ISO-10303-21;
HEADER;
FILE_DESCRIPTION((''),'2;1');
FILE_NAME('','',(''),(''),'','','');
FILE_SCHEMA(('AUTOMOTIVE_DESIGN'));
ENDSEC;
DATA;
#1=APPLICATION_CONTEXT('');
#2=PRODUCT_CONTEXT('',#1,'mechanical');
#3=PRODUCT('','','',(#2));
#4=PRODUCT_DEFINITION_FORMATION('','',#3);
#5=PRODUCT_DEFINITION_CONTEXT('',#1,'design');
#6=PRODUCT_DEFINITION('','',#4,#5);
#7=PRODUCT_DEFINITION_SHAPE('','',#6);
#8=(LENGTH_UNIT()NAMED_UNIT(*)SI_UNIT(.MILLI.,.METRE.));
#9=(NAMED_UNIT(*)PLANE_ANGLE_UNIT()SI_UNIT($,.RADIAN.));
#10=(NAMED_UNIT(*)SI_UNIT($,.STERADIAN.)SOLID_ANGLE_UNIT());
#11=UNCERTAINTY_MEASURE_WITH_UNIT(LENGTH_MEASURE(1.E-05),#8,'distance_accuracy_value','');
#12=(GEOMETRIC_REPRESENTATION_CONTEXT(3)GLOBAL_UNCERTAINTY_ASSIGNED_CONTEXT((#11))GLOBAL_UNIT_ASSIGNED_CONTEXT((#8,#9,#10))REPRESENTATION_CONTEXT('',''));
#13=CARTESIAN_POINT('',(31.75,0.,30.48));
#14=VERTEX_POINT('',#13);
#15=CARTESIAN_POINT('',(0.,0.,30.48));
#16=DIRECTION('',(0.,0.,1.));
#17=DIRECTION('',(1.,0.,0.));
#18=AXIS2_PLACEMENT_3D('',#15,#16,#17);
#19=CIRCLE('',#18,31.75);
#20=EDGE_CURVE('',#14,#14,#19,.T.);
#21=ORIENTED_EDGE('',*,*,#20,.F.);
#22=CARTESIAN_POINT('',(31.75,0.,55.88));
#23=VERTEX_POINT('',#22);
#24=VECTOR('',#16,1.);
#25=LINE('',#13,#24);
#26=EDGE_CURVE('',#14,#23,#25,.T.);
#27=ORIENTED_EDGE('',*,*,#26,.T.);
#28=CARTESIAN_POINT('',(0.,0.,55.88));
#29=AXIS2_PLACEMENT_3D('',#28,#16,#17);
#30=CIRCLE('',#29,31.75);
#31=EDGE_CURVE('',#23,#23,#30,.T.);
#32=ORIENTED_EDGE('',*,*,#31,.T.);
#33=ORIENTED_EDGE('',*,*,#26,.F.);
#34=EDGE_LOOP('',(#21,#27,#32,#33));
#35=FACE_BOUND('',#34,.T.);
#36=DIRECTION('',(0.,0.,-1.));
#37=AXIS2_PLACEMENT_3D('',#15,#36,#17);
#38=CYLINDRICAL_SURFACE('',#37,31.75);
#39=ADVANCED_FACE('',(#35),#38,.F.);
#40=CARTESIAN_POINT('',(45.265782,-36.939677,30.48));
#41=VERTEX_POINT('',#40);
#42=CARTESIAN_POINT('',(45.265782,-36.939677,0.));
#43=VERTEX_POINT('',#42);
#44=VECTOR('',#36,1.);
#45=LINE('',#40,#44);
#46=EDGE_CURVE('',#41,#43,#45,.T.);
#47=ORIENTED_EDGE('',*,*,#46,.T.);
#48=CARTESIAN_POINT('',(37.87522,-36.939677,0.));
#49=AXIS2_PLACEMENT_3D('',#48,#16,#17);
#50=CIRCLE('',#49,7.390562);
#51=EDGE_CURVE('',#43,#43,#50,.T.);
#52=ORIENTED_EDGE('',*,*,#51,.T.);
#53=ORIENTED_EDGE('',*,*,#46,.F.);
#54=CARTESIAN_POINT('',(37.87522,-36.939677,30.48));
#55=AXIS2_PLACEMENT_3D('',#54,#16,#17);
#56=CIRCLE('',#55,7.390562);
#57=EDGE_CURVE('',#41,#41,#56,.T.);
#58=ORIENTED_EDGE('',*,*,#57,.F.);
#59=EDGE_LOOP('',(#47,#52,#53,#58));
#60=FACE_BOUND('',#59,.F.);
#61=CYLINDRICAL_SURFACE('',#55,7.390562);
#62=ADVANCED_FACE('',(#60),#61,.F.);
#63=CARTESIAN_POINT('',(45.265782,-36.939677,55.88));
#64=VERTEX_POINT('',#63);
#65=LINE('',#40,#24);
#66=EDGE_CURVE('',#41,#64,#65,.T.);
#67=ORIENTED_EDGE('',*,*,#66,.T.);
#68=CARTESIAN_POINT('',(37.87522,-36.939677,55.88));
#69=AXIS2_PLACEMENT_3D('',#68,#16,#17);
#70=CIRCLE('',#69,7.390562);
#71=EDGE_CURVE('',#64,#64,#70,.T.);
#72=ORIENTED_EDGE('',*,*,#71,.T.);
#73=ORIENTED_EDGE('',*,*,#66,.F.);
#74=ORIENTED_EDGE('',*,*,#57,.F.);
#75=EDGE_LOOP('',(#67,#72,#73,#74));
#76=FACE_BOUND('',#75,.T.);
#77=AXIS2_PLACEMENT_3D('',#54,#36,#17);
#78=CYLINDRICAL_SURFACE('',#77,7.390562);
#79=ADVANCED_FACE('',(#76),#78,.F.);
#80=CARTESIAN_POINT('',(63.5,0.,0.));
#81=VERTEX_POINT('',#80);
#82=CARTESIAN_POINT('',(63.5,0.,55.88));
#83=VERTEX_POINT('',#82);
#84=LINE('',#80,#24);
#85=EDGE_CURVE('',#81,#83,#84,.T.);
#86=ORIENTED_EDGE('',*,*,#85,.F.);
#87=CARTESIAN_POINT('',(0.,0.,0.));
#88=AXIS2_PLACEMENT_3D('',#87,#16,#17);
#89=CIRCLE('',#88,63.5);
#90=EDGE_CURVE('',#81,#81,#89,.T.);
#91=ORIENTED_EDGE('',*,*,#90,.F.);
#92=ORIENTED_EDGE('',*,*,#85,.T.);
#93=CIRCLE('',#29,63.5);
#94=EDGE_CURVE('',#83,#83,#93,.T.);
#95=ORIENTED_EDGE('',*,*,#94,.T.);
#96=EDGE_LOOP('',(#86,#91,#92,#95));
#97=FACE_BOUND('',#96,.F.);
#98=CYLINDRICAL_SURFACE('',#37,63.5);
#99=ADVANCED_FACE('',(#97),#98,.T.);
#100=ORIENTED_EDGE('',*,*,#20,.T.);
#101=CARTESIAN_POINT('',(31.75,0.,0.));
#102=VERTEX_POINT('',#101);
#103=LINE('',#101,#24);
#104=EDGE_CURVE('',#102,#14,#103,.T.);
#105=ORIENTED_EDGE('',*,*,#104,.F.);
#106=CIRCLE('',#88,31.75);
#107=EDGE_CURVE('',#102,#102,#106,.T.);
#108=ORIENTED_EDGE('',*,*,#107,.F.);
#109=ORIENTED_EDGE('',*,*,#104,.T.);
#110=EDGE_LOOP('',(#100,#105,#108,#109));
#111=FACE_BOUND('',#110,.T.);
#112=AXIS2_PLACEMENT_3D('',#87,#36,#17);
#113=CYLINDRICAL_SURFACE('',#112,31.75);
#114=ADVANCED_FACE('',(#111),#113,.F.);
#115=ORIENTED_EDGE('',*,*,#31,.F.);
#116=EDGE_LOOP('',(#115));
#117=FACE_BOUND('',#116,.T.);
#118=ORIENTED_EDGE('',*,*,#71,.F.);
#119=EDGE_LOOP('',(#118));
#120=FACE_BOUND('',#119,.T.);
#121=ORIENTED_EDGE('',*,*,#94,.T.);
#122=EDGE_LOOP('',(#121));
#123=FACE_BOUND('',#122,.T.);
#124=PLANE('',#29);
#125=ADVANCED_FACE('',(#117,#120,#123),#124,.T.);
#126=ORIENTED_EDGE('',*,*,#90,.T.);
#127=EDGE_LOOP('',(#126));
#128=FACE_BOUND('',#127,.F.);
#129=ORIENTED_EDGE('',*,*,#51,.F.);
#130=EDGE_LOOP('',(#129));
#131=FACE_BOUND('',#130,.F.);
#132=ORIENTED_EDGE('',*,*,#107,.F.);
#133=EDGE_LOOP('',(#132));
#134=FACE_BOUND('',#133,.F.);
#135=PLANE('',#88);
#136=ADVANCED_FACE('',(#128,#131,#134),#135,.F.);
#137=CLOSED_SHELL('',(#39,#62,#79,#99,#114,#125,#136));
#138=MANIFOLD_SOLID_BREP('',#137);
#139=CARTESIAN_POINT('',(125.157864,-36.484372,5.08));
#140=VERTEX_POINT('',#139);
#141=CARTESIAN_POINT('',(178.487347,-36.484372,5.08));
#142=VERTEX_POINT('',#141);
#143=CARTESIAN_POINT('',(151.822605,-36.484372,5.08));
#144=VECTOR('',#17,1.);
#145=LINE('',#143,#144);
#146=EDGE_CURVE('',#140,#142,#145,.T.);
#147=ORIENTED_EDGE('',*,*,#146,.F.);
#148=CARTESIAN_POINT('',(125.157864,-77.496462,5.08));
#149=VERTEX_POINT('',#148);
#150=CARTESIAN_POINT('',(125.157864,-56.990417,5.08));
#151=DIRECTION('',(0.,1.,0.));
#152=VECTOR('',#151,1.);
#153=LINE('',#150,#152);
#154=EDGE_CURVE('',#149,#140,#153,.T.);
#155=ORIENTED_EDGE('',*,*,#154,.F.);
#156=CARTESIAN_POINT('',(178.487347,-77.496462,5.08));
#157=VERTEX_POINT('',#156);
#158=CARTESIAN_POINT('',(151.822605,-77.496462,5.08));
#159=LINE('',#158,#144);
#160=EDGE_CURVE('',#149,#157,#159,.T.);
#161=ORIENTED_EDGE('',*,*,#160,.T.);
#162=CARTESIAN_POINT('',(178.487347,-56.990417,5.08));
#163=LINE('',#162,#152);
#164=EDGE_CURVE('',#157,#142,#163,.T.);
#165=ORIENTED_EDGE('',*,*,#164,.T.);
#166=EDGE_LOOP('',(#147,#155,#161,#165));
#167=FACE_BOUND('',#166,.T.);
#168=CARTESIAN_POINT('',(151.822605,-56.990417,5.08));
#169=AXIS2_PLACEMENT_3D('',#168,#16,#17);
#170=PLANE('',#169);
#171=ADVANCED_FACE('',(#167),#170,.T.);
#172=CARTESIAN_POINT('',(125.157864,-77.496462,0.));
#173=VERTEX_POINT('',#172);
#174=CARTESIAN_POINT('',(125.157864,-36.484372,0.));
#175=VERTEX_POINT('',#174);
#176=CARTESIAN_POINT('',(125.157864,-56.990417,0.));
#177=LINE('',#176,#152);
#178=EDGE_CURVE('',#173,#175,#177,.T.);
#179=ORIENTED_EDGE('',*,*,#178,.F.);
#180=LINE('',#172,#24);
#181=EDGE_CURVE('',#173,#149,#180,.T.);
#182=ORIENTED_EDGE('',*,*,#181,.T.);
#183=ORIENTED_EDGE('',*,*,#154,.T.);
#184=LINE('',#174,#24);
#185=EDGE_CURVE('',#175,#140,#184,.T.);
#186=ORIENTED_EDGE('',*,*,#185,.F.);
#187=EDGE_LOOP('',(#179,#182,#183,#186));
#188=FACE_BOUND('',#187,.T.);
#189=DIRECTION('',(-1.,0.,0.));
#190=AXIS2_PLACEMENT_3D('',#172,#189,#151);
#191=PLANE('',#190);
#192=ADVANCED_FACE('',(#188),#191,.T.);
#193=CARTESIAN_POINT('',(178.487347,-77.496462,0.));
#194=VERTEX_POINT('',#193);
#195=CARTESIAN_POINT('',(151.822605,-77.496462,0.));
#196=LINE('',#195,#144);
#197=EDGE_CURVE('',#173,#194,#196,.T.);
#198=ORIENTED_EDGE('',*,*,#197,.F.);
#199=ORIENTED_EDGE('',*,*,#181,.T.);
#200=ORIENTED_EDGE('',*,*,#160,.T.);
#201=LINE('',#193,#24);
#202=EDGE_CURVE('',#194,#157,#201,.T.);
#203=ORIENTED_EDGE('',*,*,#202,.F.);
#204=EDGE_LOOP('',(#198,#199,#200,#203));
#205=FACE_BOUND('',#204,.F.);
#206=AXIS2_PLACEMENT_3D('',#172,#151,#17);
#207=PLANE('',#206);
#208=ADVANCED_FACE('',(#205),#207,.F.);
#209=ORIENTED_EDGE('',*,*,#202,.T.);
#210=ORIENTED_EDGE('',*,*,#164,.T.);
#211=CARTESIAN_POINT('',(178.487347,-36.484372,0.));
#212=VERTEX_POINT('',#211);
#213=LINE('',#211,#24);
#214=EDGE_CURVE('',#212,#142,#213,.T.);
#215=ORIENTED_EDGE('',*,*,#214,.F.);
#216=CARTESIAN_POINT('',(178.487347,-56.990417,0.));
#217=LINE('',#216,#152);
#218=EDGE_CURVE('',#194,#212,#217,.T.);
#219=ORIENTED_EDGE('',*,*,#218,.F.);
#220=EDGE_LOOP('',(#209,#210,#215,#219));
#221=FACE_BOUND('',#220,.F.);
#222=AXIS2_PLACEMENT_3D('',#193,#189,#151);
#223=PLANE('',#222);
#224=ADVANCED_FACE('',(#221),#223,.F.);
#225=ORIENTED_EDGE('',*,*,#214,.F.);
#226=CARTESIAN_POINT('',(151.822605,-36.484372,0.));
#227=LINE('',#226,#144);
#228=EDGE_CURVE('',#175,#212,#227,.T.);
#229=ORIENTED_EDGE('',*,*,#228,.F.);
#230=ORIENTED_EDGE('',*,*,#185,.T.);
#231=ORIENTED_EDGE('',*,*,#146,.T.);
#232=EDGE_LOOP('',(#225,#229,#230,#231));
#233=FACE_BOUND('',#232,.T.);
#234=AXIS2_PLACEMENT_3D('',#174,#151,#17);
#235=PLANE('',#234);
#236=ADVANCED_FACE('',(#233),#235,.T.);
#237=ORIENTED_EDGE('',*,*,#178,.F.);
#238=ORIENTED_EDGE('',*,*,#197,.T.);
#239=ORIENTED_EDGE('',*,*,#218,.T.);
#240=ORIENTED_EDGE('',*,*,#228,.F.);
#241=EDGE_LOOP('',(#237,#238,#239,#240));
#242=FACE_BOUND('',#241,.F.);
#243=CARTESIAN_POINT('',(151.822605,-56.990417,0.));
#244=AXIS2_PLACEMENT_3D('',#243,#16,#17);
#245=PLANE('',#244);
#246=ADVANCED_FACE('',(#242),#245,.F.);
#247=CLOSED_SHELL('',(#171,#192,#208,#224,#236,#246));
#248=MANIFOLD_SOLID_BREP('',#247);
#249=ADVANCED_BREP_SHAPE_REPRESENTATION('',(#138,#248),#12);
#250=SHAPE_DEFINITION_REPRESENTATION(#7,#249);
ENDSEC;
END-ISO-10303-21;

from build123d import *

# Parameters (mm, degrees)
F0_R        = 63.5
F0_R_2      = 31.75
F1_DEPTH    = 30.48
F2_R        = 7.390562
F3_DEPTH    = 127
F1_FACE_R   = 63.5
F1_FACE_R_2 = 7.390562
F1_FACE_R_3 = 31.75
F4_DEPTH    = 25.4
F5_W        = 53.329483
F5_H        = 41.01209
F6_DEPTH    = 5.08


with BuildPart() as f1:
    # F0 (on Top) → F1 (new body)
    with BuildSketch(Plane.XY):
        Circle(F0_R)
        Circle(F0_R_2, mode=Mode.SUBTRACT)
    extrude(amount=F1_DEPTH)

    # F2 (on face) → F3 (cut)
    with BuildSketch(Plane.XY.offset(30.48)):
        with Locations((37.87522, -36.939677)):
            Circle(F2_R)
    extrude(amount=-F3_DEPTH, mode=Mode.SUBTRACT)

    # F1_face (on face) → F4 (join)
    with BuildSketch(Plane.XY.offset(30.48)):
        Circle(F1_FACE_R)
        with Locations((37.87522, -36.939677)):
            Circle(F1_FACE_R_2, mode=Mode.SUBTRACT)
        Circle(F1_FACE_R_3, mode=Mode.SUBTRACT)
    extrude(amount=F4_DEPTH)


with BuildPart() as f6:
    # F5 (on Top) → F6 (new body)
    with BuildSketch(Plane.XY):
        with Locations((151.822605, -56.990417)):
            Rectangle(F5_W, F5_H)
    extrude(amount=F6_DEPTH)


solid = Compound([f1.part, f6.part])
